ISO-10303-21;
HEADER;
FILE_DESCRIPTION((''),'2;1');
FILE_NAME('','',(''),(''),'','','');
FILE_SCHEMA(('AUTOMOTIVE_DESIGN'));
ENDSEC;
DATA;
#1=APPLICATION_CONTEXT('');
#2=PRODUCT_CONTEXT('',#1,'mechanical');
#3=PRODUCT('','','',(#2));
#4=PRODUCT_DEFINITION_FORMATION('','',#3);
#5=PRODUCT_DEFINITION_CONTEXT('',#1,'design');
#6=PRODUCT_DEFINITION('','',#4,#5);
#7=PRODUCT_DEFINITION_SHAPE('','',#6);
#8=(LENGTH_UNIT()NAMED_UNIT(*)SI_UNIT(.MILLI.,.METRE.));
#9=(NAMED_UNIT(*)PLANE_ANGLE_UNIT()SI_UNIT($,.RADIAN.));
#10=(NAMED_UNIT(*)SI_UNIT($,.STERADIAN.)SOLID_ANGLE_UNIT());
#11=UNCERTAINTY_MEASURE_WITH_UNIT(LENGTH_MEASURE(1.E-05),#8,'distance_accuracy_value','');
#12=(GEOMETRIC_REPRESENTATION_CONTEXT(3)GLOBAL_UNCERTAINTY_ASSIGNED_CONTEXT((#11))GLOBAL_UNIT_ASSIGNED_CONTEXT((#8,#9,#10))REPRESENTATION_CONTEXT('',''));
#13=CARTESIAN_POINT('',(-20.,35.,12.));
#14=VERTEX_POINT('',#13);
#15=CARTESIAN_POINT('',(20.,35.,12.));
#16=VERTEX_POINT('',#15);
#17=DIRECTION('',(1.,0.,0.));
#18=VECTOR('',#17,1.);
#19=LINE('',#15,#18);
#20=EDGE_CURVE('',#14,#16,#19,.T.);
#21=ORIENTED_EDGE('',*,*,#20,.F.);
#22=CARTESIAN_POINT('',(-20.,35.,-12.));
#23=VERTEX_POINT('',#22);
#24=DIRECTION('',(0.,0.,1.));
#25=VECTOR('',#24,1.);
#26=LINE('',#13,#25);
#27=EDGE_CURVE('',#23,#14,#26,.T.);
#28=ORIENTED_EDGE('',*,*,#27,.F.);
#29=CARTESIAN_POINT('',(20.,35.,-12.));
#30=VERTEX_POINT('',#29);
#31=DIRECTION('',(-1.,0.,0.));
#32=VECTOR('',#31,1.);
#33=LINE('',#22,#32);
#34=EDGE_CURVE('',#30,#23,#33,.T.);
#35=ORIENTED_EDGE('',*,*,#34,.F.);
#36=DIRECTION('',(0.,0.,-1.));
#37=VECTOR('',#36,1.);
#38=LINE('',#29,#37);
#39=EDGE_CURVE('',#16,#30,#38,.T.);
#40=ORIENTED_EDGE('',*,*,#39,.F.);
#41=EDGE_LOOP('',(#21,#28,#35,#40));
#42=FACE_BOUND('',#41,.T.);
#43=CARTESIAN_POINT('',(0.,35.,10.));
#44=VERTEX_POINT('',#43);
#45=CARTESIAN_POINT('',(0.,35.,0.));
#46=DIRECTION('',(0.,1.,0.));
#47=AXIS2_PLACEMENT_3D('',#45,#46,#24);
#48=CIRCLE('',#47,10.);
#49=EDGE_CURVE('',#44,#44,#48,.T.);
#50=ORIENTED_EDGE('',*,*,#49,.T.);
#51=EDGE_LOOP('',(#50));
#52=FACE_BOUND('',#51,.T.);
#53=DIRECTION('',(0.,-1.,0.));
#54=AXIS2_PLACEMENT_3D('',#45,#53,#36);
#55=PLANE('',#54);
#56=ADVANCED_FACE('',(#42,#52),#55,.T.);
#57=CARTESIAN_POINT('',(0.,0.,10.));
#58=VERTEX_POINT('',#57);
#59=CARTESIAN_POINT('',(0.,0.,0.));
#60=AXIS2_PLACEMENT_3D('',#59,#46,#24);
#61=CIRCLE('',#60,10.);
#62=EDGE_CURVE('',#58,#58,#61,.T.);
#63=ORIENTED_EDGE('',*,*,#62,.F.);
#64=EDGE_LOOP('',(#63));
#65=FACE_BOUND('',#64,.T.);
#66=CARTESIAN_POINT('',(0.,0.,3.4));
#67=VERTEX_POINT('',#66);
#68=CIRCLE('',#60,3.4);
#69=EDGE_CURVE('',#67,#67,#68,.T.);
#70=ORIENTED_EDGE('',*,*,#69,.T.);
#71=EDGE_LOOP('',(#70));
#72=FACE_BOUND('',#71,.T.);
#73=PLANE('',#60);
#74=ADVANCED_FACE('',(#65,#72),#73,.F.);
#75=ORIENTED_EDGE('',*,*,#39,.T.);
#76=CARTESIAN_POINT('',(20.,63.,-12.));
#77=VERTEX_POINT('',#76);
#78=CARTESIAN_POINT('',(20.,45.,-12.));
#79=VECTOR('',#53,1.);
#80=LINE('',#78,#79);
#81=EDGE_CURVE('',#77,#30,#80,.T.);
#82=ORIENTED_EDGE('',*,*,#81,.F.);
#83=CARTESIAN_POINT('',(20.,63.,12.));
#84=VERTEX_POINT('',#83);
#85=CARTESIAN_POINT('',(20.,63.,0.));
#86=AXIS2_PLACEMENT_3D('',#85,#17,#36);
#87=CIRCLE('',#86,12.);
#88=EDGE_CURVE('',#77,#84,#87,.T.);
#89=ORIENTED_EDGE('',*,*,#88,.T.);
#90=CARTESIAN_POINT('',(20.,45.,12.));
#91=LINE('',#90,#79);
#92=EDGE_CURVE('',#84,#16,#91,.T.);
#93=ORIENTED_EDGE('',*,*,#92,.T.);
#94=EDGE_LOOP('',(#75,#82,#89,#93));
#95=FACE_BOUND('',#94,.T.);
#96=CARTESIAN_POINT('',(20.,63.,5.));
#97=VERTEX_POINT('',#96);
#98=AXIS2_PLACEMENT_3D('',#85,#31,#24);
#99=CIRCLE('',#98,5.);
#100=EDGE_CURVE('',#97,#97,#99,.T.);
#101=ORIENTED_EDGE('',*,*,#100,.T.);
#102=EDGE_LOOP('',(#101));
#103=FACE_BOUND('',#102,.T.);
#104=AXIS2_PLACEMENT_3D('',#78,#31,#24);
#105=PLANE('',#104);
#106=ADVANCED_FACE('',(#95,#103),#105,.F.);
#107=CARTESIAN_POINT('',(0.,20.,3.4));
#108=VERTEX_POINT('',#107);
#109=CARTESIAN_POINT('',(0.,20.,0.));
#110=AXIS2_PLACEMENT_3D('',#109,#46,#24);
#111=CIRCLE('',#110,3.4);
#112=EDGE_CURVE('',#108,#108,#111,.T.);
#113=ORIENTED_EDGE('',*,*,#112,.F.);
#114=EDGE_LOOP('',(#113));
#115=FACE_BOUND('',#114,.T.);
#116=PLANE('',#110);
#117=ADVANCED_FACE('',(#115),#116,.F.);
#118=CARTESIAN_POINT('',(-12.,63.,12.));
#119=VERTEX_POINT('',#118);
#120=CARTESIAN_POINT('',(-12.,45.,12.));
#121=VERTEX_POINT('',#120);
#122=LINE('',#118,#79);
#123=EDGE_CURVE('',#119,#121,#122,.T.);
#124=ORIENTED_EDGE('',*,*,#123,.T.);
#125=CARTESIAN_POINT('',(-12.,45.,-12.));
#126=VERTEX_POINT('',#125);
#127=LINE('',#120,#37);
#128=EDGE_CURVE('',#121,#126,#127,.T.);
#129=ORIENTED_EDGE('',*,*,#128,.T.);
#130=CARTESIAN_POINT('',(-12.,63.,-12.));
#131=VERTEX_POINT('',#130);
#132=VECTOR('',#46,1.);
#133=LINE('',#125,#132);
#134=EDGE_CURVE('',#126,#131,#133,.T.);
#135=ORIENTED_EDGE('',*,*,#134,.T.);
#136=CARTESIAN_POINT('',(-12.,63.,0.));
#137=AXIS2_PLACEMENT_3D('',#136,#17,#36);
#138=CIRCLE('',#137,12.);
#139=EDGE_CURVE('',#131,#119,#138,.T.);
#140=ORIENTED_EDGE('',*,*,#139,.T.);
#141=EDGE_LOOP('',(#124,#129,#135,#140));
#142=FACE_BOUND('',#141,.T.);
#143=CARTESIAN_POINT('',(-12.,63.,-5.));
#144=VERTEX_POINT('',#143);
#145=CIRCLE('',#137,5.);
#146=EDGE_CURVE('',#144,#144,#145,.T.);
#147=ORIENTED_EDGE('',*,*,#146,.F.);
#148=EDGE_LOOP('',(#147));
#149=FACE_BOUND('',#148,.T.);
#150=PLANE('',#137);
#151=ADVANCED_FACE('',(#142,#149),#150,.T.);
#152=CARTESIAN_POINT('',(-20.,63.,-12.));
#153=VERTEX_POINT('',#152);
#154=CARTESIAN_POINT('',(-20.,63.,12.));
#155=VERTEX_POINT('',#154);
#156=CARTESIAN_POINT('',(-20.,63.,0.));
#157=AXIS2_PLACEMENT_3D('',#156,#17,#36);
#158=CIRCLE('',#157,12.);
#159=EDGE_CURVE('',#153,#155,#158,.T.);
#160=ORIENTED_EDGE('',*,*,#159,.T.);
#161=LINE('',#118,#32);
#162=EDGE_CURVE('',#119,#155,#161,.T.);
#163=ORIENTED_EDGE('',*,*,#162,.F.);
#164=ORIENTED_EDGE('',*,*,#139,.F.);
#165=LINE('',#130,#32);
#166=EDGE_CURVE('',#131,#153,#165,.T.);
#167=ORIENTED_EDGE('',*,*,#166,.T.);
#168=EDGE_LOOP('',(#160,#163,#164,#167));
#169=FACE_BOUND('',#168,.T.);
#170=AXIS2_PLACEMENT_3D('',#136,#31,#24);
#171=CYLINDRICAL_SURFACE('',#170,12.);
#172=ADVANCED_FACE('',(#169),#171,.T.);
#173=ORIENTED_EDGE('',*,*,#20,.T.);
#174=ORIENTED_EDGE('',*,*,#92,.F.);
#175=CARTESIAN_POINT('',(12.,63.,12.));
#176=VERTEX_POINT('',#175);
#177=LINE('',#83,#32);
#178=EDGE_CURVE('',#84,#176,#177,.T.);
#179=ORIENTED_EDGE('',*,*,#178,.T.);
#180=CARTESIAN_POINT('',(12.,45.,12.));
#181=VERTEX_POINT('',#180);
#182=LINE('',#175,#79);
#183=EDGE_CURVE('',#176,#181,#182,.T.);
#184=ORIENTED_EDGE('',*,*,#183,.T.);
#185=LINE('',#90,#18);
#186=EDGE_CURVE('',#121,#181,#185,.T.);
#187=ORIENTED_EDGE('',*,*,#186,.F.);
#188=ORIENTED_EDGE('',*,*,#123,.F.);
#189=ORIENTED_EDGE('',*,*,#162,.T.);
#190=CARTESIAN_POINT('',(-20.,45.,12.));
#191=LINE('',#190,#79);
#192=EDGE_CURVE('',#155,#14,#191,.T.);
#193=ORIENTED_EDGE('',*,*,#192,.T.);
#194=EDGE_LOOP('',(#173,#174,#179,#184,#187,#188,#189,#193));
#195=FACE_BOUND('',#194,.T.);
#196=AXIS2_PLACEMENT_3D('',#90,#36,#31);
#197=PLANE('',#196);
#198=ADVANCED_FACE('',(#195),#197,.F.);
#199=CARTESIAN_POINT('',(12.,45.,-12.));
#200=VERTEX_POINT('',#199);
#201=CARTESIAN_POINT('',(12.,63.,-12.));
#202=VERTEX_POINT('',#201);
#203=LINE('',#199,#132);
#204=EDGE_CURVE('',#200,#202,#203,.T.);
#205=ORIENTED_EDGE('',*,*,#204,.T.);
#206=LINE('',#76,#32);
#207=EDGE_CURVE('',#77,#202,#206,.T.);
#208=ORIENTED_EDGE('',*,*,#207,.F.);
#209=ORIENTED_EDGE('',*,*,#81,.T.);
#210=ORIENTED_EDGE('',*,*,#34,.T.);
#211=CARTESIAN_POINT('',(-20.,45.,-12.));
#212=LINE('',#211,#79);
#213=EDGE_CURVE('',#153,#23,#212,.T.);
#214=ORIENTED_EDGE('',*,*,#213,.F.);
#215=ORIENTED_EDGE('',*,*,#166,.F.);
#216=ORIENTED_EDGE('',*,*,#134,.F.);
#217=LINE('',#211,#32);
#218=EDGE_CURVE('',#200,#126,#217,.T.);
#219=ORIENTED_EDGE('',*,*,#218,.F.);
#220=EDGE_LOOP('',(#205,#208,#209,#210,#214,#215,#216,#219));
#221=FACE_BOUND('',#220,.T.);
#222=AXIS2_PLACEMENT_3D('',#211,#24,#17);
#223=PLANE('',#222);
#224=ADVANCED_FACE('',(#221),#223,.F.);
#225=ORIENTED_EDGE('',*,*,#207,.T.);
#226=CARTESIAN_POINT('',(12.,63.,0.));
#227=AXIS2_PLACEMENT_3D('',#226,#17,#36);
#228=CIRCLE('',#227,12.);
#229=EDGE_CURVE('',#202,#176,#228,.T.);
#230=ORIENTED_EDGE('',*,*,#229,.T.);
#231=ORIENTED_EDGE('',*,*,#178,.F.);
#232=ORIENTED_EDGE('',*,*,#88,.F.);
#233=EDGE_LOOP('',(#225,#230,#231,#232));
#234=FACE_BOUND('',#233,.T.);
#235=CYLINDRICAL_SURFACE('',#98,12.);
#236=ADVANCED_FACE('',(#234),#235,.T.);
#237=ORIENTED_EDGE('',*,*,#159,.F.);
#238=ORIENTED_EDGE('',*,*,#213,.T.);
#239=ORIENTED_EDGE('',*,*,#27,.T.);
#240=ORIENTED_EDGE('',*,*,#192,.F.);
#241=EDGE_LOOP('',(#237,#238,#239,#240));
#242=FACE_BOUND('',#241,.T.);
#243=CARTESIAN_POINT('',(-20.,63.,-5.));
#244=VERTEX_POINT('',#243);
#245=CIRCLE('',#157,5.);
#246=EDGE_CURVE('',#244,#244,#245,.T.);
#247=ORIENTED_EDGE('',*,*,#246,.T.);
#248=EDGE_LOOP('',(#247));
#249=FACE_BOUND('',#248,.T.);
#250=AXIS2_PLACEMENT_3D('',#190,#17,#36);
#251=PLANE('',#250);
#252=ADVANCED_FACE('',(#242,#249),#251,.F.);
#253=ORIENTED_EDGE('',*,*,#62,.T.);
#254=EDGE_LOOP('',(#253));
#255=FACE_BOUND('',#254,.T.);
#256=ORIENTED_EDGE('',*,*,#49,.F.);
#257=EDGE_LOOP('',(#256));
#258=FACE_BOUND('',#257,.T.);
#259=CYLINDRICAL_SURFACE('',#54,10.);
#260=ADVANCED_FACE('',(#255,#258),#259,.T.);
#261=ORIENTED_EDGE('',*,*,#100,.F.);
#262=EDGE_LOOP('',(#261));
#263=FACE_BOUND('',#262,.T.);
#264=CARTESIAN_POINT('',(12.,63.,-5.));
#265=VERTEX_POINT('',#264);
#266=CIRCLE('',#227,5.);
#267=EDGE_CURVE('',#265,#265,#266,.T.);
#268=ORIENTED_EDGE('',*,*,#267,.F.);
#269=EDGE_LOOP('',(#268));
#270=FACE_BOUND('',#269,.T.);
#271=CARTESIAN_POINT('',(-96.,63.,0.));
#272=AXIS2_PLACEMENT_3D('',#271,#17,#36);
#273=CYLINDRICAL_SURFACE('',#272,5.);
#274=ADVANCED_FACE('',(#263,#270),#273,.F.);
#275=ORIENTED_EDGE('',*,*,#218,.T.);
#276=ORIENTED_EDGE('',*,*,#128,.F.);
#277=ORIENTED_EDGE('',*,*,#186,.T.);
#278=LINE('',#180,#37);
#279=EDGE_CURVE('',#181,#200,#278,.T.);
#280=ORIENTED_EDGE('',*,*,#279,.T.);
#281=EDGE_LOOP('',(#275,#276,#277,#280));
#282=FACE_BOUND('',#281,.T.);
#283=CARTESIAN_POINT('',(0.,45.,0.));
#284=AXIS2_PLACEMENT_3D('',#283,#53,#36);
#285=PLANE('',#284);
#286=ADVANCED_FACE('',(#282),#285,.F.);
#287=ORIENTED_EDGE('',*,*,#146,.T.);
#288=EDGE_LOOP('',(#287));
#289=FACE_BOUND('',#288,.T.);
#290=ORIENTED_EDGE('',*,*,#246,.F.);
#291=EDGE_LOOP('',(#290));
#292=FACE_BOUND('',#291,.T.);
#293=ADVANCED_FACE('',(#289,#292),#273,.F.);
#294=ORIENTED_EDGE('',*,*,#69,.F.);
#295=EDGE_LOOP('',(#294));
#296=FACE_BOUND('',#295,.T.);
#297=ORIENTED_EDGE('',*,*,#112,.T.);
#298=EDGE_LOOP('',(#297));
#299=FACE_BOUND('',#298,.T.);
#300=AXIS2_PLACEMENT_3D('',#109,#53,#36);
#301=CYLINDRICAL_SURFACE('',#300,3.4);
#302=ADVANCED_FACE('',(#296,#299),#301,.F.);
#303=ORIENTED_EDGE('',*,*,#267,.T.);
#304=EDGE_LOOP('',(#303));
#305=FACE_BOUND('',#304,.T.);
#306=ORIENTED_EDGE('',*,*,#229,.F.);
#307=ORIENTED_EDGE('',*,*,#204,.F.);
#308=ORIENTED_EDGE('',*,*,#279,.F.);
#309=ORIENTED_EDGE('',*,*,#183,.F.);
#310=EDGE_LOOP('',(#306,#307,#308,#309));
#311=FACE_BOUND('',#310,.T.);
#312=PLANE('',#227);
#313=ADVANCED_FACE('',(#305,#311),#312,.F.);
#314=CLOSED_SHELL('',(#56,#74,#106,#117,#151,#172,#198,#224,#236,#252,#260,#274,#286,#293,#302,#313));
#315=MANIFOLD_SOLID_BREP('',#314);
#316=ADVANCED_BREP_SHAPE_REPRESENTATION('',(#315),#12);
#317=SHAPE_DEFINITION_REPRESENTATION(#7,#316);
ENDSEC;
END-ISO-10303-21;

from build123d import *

# Parameters (mm, degrees)
SKETCH_1_R          = 10
EXTRUDE_1_DEPTH     = 35
SKETCH_2_W          = 40
SKETCH_2_H          = 24
EXTRUDE_2_DEPTH     = 10
EXTRUDE_3_DEPTH     = 8
EXTRUDE_4_DEPTH     = 8
SKETCH_5_R          = 5
CUT_EXTRUDE_1_DEPTH = 76
SKETCH_6_R          = 3.4
CUT_EXTRUDE_2_DEPTH = 20


with BuildPart() as part:
    # 草图1 → 凸台-拉伸1 (new body)
    with BuildSketch(Plane(origin=(0, 0, 0), x_dir=(1, 0, 0), z_dir=(0, 1, 0))):
        with Locations(Location((0, 0, 0), (0, 0, 270))):
            Circle(SKETCH_1_R)
    extrude(amount=EXTRUDE_1_DEPTH)

    # 草图2 → 凸台-拉伸2 (add)
    with BuildSketch(Plane(origin=(0, 35, 0), x_dir=(1, 0, 0), z_dir=(0, 1, 0))):
        Rectangle(SKETCH_2_W, SKETCH_2_H)
    extrude(amount=EXTRUDE_2_DEPTH)

    # 草图3 → 凸台-拉伸3 (add)
    with BuildSketch(Plane(origin=(12, 0, 0), x_dir=(0, 0, -1), z_dir=(1, 0, 0))):
        with BuildLine():
            Line((12, 45), (12, 63))
            ThreePointArc((12, 63), (0, 75), (-12, 63))
            Line((-12, 63), (-12, 45))
            Line((-12, 45), (12, 45))
        make_face()
    extrude(amount=EXTRUDE_3_DEPTH)

    # 草图4 → 凸台-拉伸4 (add)
    with BuildSketch(Plane(origin=(-20, 0, 0), x_dir=(0, 0, -1), z_dir=(1, 0, 0))):
        with BuildLine():
            Line((12, 45), (12, 63))
            ThreePointArc((12, 63), (0, 75), (-12, 63))
            Line((-12, 63), (-12, 45))
            Line((-12, 45), (12, 45))
        make_face()
    extrude(amount=EXTRUDE_4_DEPTH)

    # 草图5 → 切除-拉伸1 (cut, symmetric)
    with BuildSketch(Plane(origin=(-20, 0, 0), x_dir=(0, 0, -1), z_dir=(1, 0, 0))):
        with Locations((0, 63)):
            Circle(SKETCH_5_R)
    extrude(amount=CUT_EXTRUDE_1_DEPTH, both=True, mode=Mode.SUBTRACT)

    # 草图6 → 切除-拉伸2 (cut)
    with BuildSketch(Plane(origin=(0, 0, 0), x_dir=(1, 0, 0), z_dir=(0, 1, 0))):
        with Locations(Location((0, 0, 0), (0, 0, 270))):
            Circle(SKETCH_6_R)
    extrude(amount=CUT_EXTRUDE_2_DEPTH, mode=Mode.SUBTRACT)


solid = part.part
